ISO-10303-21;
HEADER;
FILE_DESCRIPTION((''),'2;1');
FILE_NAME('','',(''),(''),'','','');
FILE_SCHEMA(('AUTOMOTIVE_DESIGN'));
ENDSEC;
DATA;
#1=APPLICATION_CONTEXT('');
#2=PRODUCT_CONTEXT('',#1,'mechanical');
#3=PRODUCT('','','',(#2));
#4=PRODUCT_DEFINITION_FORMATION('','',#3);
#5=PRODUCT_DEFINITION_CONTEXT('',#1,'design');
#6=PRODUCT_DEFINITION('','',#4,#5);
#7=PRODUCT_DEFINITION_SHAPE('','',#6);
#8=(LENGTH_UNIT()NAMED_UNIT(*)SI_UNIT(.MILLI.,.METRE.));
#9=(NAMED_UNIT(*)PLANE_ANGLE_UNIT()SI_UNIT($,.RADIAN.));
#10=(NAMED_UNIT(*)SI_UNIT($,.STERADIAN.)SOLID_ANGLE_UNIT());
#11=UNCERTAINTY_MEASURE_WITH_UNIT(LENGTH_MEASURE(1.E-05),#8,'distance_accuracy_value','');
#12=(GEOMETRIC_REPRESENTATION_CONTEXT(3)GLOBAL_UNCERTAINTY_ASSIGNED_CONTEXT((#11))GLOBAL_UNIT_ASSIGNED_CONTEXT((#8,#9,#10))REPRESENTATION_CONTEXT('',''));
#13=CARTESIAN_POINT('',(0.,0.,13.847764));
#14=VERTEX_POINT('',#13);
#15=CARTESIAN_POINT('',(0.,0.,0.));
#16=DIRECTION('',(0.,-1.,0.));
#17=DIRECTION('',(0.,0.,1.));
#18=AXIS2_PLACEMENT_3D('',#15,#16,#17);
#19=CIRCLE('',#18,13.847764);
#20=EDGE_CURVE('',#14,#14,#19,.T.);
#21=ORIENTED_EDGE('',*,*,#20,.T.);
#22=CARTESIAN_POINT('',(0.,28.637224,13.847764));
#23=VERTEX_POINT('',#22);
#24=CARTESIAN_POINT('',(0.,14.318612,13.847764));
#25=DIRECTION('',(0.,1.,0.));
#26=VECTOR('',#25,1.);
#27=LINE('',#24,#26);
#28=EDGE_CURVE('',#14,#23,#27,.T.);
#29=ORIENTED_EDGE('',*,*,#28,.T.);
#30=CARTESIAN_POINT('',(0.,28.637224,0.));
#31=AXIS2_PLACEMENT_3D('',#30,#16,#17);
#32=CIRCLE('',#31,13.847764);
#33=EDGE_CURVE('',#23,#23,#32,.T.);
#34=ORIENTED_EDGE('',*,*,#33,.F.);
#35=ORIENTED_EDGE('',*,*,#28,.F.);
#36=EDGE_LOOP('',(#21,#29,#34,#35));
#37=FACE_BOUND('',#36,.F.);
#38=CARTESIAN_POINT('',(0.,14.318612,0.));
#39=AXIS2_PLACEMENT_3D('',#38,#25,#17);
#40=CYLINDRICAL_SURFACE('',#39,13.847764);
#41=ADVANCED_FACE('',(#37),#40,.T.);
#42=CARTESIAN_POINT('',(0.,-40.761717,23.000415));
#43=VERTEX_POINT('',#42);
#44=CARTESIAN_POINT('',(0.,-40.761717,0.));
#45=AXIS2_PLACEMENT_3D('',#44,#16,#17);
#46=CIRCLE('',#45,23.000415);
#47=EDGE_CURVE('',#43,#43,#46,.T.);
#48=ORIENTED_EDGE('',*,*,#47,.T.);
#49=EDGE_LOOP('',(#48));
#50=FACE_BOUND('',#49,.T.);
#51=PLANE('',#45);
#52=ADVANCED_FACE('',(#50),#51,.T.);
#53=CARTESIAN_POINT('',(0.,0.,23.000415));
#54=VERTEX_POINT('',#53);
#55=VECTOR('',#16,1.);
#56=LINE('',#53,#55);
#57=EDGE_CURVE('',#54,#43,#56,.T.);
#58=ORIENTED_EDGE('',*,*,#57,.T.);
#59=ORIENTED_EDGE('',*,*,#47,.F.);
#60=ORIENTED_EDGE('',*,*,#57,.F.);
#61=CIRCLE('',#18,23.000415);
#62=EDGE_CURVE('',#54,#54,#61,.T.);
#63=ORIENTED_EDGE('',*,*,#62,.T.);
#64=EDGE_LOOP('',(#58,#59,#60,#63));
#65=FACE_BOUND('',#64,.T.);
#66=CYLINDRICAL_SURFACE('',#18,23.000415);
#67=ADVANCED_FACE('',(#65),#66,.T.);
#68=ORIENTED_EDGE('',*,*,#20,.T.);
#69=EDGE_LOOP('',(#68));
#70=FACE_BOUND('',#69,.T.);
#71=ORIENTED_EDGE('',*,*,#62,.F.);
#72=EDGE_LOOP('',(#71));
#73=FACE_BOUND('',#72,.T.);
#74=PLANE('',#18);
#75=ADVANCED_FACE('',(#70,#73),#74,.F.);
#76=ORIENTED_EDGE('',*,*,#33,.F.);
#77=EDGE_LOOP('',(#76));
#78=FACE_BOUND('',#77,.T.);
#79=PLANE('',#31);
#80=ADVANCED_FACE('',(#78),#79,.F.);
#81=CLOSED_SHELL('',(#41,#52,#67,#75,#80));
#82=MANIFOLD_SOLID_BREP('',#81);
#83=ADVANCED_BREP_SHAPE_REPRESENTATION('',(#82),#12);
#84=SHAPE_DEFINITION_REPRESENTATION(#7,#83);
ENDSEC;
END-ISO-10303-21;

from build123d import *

# Parameters (mm, degrees)
F0_W = 28.637225
F0_H = 13.847764


with BuildPart() as f1:
    # F0 (on Right) → F1 (revolve)
    with BuildSketch(Plane.YZ):
        Polygon((-40.761717, 0), (0, 0), (0, 13.847764), (0, 23.000415), (-40.761717, 23.000415), align=None)
        with Locations((14.318612, 6.923882)):
            Rectangle(F0_W, F0_H)
    revolve(axis=Axis((0, -20.380858, 0), (0, -1, 0)))


solid = f1.part
